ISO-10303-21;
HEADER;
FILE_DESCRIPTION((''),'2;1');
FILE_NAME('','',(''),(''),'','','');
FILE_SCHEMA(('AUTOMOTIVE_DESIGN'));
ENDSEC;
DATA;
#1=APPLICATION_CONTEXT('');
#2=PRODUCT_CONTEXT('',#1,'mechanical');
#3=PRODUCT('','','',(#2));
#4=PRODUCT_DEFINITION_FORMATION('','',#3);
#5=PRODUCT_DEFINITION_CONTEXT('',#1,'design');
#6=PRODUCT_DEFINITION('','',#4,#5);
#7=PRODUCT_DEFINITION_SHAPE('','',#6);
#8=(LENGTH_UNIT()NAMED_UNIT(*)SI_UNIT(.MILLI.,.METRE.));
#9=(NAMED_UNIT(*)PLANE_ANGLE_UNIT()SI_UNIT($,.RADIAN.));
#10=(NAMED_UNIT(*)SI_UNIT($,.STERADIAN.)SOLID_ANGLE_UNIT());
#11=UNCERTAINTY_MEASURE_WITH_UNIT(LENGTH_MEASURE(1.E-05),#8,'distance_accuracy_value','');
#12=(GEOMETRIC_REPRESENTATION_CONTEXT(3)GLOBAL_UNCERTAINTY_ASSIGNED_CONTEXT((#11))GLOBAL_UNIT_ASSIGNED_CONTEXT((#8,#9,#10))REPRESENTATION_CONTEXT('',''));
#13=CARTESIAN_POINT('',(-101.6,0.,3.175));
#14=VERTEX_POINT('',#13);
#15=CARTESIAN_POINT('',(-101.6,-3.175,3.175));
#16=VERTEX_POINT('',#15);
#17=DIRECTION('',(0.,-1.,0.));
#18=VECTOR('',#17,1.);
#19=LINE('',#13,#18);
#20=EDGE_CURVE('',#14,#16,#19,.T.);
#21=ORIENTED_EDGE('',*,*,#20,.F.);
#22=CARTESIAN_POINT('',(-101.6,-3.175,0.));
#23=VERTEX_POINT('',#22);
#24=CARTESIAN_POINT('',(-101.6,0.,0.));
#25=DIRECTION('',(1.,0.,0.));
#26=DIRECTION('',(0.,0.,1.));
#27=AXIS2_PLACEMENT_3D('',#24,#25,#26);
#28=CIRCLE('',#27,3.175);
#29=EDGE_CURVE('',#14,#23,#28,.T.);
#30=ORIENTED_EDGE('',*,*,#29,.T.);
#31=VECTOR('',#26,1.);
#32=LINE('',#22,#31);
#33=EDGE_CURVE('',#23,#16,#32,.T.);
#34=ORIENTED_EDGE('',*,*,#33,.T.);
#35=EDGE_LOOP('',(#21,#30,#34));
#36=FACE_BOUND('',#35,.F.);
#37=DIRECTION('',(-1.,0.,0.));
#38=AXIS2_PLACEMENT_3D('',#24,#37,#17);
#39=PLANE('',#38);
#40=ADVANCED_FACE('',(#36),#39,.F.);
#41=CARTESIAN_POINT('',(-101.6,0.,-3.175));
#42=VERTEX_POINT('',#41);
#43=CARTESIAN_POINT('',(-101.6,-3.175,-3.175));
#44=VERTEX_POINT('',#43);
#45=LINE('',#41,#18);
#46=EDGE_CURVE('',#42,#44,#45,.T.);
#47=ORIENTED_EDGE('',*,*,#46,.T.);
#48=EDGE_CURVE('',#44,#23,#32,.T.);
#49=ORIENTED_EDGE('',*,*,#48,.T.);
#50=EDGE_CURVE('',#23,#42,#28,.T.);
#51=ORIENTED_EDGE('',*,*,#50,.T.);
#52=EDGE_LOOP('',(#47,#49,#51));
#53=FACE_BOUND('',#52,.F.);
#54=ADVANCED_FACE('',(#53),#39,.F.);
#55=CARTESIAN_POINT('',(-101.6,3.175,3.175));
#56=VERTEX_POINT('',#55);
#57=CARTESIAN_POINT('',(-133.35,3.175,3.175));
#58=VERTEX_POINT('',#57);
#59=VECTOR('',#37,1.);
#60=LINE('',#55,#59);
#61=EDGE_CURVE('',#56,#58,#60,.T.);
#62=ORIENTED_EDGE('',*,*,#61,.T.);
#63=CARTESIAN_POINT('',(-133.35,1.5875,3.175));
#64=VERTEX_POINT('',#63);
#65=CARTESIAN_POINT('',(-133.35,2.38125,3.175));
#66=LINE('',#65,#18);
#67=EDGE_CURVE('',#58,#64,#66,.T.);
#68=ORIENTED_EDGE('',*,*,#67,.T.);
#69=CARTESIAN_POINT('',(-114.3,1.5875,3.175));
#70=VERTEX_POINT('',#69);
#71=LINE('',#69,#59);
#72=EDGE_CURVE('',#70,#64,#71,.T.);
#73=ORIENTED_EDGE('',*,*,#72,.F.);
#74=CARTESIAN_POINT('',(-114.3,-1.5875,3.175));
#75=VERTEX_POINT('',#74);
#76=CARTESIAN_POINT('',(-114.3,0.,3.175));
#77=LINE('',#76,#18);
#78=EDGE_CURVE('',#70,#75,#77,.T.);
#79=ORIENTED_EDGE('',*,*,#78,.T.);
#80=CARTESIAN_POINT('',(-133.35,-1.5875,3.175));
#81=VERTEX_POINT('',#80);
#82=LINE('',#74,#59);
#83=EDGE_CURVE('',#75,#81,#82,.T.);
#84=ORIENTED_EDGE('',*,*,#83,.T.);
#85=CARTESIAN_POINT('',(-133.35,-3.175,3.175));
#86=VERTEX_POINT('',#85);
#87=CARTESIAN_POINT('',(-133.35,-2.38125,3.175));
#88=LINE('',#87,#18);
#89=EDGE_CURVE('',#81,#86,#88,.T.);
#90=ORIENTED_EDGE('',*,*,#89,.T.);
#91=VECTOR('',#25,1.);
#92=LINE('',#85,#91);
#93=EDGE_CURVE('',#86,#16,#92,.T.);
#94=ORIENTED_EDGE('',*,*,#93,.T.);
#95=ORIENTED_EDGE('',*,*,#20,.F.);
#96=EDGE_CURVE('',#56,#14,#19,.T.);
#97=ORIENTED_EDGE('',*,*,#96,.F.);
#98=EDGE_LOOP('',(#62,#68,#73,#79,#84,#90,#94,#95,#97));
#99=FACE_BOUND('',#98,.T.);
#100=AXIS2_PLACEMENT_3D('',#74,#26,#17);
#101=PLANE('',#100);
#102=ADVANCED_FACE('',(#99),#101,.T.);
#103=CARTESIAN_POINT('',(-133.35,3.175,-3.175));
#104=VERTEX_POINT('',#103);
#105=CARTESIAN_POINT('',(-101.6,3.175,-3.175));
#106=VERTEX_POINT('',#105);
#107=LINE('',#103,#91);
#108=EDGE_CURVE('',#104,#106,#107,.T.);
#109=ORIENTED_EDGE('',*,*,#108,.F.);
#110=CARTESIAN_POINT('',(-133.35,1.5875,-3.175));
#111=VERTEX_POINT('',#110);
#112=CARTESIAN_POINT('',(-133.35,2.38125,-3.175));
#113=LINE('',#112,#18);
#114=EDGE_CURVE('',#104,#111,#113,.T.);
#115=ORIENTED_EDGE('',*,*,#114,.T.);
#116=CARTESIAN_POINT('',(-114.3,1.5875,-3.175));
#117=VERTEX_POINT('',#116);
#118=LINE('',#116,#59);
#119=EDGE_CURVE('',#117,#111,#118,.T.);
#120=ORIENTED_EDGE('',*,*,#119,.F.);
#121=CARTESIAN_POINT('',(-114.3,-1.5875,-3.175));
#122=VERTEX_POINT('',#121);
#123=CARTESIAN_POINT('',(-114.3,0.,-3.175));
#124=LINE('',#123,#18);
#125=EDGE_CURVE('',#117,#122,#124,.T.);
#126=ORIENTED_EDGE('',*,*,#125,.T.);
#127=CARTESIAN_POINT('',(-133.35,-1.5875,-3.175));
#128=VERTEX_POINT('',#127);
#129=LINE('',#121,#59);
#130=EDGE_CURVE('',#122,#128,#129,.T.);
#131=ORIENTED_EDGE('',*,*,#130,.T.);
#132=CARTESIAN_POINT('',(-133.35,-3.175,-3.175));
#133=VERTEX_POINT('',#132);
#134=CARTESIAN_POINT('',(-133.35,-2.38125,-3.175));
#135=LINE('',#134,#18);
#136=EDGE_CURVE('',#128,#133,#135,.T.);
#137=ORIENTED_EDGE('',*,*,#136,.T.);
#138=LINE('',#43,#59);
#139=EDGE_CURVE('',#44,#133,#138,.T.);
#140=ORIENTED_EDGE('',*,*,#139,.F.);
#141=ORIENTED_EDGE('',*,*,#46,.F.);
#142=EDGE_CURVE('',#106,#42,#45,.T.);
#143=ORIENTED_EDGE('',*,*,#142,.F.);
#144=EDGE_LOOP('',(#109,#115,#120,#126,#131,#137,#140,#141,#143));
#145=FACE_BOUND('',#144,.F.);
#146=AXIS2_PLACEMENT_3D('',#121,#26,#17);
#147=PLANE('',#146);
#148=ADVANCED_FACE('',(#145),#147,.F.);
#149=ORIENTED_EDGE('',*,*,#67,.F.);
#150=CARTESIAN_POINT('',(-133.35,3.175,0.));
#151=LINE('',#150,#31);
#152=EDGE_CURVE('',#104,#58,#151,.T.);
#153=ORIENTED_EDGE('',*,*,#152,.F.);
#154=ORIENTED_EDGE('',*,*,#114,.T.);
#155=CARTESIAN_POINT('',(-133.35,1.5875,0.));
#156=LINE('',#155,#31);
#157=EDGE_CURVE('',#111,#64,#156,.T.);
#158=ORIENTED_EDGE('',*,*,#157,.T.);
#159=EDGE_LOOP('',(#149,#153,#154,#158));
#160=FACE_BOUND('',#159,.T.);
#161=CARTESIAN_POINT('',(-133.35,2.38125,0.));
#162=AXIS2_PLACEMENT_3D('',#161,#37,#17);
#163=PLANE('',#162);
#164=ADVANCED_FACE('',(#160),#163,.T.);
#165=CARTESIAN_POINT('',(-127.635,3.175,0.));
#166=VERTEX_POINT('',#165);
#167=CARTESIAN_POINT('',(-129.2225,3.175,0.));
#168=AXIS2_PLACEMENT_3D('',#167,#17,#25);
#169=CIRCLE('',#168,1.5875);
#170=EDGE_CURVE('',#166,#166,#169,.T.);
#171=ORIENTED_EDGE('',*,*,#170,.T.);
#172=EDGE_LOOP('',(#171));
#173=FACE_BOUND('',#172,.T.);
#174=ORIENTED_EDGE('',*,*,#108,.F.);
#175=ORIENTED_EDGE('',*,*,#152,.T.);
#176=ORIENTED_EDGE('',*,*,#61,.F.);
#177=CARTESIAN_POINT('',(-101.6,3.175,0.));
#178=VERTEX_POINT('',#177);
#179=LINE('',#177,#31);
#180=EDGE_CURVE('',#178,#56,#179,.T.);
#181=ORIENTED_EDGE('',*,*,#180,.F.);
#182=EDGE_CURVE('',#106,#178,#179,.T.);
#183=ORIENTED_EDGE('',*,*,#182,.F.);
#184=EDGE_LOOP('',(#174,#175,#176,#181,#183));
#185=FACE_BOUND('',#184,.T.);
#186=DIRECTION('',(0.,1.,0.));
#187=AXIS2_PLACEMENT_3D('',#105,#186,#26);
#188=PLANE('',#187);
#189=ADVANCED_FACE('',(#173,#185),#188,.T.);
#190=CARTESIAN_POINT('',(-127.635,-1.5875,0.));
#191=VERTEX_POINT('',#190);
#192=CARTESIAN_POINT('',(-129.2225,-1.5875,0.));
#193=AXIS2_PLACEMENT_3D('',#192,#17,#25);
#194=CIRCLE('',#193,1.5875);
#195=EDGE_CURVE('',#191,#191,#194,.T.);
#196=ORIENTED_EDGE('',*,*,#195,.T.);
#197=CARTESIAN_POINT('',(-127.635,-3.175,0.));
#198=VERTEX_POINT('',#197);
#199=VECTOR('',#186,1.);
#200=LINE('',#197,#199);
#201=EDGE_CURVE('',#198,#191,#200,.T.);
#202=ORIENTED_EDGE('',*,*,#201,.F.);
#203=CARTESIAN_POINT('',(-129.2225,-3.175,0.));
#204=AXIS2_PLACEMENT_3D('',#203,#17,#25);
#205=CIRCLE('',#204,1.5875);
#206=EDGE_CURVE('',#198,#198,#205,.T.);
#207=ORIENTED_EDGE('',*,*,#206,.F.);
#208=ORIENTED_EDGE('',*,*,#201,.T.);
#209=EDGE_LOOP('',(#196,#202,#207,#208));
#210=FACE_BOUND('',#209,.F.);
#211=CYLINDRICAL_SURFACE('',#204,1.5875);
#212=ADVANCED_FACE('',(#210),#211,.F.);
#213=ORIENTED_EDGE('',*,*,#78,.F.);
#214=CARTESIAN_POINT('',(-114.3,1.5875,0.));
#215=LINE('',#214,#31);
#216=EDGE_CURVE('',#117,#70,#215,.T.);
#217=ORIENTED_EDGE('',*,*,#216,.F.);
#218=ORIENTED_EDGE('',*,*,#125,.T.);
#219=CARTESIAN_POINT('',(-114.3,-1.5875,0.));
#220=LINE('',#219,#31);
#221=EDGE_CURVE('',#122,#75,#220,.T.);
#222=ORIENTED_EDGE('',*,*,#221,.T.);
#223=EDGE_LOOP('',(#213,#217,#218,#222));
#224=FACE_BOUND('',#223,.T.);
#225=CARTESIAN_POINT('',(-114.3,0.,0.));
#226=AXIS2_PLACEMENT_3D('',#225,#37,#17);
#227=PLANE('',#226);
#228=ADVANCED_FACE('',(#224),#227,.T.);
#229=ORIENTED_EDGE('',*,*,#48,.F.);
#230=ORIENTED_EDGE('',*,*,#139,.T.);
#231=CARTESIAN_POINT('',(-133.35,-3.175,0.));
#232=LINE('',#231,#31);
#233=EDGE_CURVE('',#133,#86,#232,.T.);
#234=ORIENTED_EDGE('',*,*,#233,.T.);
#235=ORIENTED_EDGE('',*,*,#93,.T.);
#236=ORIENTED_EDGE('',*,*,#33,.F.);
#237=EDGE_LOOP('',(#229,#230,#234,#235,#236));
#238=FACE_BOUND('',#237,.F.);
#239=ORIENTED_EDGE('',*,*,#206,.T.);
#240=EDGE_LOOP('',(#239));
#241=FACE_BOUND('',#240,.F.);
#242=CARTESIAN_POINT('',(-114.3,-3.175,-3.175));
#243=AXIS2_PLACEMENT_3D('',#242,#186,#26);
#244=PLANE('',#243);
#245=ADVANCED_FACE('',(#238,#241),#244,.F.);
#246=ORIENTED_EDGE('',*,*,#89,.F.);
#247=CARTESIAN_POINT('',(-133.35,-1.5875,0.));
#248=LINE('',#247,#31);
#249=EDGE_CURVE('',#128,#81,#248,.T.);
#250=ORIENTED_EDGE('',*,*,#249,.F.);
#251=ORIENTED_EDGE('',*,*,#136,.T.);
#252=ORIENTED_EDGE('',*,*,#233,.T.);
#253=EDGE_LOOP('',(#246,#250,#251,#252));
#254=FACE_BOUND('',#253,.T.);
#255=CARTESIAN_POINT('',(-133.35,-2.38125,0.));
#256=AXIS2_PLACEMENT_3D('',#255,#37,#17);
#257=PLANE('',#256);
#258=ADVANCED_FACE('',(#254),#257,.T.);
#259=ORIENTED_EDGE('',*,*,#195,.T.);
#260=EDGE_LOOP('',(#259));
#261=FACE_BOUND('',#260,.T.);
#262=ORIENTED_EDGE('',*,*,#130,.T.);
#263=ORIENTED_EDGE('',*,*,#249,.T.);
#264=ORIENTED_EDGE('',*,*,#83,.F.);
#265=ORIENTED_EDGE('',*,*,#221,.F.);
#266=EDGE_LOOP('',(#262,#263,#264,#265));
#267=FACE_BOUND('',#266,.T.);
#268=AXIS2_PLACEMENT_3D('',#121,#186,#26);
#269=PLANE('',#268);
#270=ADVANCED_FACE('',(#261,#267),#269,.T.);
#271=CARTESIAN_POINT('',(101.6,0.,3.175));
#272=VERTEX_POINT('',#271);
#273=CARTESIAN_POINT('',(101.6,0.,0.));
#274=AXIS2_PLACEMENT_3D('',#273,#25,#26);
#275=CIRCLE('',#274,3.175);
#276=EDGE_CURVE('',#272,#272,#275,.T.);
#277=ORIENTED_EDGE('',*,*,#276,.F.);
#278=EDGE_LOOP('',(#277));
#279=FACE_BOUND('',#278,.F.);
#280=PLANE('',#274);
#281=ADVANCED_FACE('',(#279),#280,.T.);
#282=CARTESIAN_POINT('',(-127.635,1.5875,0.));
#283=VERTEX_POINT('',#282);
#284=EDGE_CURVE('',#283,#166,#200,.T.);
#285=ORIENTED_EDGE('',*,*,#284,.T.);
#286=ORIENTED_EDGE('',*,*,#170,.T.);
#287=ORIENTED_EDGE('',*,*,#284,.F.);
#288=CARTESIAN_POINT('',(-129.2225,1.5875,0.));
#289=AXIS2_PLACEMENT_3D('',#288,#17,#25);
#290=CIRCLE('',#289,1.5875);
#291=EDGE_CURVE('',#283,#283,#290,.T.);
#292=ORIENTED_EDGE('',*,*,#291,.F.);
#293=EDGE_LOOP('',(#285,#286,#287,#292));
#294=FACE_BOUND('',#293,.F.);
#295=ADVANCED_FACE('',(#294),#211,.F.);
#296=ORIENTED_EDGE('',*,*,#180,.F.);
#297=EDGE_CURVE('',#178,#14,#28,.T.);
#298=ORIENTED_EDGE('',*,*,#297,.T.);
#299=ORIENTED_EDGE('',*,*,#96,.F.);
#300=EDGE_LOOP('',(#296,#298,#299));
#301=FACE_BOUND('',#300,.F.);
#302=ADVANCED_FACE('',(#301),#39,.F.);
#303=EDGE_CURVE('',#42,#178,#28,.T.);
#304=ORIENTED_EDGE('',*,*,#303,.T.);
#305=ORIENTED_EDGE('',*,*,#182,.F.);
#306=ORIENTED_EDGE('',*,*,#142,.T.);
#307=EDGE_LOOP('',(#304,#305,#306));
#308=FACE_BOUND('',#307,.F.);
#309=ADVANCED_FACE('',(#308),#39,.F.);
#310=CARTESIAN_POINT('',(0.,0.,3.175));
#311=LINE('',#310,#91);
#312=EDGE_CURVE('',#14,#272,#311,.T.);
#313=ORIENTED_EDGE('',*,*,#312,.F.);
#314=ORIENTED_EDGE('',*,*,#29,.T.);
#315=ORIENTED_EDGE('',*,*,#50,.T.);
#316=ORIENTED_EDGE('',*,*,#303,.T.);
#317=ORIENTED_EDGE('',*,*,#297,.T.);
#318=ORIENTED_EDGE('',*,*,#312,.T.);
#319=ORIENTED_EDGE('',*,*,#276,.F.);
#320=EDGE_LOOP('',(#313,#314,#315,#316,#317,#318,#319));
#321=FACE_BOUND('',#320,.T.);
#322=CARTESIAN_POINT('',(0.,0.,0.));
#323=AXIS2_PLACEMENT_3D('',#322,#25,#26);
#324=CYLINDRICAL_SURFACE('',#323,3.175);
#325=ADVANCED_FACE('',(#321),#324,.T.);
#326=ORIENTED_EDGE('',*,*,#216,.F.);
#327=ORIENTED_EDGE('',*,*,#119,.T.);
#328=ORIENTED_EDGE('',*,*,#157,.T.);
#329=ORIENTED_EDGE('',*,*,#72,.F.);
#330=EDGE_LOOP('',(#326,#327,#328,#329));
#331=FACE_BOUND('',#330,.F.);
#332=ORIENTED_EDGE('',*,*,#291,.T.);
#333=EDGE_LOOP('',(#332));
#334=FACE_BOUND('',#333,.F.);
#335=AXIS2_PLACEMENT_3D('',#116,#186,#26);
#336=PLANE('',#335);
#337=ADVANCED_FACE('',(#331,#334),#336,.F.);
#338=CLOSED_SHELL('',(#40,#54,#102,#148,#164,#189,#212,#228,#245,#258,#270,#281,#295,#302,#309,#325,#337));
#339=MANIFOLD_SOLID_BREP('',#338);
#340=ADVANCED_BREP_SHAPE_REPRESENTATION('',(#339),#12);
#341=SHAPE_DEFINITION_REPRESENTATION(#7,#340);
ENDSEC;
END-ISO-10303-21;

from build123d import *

# Parameters (mm, degrees)
F0_W     = 203.2
F0_H     = 3.175
F2_W     = 6.35
F2_H     = 6.35
F3_DEPTH = 12.7
F4_W     = 1.5875
F4_H     = 6.35
F5_DEPTH = 19.05
F6_R     = 1.5875
F7_DEPTH = 25.4


with BuildPart() as f1:
    # F0 (on Front) → F1 (revolve)
    with BuildSketch(Plane.XZ):
        with Locations((0, 1.5875)):
            Rectangle(F0_W, F0_H)
    revolve(axis=Axis((0, 0, 0), (1, 0, 0)))

    # F2 (on face) → F3 (join)
    with BuildSketch(Plane(origin=(-101.6, 0, 0), x_dir=(0, -1, 0), z_dir=(-1, 0, 0))):
        Rectangle(F2_W, F2_H)
    extrude(amount=F3_DEPTH)

    # F4 (on face) → F5 (join)
    with BuildSketch(Plane(origin=(-114.3, 0, 0), x_dir=(0, -1, 0), z_dir=(-1, 0, 0))):
        with Locations((2.38125, 0)):
            Rectangle(F4_W, F4_H)
        with Locations((-2.38125, 0)):
            Rectangle(F4_W, F4_H)
    extrude(amount=F5_DEPTH)

    # F6 (on face) → F7 (cut)
    with BuildSketch(Plane.XZ.offset(3.175)):
        with Locations((-129.2225, 0)):
            Circle(F6_R)
    extrude(amount=-F7_DEPTH, mode=Mode.SUBTRACT)


solid = f1.part
